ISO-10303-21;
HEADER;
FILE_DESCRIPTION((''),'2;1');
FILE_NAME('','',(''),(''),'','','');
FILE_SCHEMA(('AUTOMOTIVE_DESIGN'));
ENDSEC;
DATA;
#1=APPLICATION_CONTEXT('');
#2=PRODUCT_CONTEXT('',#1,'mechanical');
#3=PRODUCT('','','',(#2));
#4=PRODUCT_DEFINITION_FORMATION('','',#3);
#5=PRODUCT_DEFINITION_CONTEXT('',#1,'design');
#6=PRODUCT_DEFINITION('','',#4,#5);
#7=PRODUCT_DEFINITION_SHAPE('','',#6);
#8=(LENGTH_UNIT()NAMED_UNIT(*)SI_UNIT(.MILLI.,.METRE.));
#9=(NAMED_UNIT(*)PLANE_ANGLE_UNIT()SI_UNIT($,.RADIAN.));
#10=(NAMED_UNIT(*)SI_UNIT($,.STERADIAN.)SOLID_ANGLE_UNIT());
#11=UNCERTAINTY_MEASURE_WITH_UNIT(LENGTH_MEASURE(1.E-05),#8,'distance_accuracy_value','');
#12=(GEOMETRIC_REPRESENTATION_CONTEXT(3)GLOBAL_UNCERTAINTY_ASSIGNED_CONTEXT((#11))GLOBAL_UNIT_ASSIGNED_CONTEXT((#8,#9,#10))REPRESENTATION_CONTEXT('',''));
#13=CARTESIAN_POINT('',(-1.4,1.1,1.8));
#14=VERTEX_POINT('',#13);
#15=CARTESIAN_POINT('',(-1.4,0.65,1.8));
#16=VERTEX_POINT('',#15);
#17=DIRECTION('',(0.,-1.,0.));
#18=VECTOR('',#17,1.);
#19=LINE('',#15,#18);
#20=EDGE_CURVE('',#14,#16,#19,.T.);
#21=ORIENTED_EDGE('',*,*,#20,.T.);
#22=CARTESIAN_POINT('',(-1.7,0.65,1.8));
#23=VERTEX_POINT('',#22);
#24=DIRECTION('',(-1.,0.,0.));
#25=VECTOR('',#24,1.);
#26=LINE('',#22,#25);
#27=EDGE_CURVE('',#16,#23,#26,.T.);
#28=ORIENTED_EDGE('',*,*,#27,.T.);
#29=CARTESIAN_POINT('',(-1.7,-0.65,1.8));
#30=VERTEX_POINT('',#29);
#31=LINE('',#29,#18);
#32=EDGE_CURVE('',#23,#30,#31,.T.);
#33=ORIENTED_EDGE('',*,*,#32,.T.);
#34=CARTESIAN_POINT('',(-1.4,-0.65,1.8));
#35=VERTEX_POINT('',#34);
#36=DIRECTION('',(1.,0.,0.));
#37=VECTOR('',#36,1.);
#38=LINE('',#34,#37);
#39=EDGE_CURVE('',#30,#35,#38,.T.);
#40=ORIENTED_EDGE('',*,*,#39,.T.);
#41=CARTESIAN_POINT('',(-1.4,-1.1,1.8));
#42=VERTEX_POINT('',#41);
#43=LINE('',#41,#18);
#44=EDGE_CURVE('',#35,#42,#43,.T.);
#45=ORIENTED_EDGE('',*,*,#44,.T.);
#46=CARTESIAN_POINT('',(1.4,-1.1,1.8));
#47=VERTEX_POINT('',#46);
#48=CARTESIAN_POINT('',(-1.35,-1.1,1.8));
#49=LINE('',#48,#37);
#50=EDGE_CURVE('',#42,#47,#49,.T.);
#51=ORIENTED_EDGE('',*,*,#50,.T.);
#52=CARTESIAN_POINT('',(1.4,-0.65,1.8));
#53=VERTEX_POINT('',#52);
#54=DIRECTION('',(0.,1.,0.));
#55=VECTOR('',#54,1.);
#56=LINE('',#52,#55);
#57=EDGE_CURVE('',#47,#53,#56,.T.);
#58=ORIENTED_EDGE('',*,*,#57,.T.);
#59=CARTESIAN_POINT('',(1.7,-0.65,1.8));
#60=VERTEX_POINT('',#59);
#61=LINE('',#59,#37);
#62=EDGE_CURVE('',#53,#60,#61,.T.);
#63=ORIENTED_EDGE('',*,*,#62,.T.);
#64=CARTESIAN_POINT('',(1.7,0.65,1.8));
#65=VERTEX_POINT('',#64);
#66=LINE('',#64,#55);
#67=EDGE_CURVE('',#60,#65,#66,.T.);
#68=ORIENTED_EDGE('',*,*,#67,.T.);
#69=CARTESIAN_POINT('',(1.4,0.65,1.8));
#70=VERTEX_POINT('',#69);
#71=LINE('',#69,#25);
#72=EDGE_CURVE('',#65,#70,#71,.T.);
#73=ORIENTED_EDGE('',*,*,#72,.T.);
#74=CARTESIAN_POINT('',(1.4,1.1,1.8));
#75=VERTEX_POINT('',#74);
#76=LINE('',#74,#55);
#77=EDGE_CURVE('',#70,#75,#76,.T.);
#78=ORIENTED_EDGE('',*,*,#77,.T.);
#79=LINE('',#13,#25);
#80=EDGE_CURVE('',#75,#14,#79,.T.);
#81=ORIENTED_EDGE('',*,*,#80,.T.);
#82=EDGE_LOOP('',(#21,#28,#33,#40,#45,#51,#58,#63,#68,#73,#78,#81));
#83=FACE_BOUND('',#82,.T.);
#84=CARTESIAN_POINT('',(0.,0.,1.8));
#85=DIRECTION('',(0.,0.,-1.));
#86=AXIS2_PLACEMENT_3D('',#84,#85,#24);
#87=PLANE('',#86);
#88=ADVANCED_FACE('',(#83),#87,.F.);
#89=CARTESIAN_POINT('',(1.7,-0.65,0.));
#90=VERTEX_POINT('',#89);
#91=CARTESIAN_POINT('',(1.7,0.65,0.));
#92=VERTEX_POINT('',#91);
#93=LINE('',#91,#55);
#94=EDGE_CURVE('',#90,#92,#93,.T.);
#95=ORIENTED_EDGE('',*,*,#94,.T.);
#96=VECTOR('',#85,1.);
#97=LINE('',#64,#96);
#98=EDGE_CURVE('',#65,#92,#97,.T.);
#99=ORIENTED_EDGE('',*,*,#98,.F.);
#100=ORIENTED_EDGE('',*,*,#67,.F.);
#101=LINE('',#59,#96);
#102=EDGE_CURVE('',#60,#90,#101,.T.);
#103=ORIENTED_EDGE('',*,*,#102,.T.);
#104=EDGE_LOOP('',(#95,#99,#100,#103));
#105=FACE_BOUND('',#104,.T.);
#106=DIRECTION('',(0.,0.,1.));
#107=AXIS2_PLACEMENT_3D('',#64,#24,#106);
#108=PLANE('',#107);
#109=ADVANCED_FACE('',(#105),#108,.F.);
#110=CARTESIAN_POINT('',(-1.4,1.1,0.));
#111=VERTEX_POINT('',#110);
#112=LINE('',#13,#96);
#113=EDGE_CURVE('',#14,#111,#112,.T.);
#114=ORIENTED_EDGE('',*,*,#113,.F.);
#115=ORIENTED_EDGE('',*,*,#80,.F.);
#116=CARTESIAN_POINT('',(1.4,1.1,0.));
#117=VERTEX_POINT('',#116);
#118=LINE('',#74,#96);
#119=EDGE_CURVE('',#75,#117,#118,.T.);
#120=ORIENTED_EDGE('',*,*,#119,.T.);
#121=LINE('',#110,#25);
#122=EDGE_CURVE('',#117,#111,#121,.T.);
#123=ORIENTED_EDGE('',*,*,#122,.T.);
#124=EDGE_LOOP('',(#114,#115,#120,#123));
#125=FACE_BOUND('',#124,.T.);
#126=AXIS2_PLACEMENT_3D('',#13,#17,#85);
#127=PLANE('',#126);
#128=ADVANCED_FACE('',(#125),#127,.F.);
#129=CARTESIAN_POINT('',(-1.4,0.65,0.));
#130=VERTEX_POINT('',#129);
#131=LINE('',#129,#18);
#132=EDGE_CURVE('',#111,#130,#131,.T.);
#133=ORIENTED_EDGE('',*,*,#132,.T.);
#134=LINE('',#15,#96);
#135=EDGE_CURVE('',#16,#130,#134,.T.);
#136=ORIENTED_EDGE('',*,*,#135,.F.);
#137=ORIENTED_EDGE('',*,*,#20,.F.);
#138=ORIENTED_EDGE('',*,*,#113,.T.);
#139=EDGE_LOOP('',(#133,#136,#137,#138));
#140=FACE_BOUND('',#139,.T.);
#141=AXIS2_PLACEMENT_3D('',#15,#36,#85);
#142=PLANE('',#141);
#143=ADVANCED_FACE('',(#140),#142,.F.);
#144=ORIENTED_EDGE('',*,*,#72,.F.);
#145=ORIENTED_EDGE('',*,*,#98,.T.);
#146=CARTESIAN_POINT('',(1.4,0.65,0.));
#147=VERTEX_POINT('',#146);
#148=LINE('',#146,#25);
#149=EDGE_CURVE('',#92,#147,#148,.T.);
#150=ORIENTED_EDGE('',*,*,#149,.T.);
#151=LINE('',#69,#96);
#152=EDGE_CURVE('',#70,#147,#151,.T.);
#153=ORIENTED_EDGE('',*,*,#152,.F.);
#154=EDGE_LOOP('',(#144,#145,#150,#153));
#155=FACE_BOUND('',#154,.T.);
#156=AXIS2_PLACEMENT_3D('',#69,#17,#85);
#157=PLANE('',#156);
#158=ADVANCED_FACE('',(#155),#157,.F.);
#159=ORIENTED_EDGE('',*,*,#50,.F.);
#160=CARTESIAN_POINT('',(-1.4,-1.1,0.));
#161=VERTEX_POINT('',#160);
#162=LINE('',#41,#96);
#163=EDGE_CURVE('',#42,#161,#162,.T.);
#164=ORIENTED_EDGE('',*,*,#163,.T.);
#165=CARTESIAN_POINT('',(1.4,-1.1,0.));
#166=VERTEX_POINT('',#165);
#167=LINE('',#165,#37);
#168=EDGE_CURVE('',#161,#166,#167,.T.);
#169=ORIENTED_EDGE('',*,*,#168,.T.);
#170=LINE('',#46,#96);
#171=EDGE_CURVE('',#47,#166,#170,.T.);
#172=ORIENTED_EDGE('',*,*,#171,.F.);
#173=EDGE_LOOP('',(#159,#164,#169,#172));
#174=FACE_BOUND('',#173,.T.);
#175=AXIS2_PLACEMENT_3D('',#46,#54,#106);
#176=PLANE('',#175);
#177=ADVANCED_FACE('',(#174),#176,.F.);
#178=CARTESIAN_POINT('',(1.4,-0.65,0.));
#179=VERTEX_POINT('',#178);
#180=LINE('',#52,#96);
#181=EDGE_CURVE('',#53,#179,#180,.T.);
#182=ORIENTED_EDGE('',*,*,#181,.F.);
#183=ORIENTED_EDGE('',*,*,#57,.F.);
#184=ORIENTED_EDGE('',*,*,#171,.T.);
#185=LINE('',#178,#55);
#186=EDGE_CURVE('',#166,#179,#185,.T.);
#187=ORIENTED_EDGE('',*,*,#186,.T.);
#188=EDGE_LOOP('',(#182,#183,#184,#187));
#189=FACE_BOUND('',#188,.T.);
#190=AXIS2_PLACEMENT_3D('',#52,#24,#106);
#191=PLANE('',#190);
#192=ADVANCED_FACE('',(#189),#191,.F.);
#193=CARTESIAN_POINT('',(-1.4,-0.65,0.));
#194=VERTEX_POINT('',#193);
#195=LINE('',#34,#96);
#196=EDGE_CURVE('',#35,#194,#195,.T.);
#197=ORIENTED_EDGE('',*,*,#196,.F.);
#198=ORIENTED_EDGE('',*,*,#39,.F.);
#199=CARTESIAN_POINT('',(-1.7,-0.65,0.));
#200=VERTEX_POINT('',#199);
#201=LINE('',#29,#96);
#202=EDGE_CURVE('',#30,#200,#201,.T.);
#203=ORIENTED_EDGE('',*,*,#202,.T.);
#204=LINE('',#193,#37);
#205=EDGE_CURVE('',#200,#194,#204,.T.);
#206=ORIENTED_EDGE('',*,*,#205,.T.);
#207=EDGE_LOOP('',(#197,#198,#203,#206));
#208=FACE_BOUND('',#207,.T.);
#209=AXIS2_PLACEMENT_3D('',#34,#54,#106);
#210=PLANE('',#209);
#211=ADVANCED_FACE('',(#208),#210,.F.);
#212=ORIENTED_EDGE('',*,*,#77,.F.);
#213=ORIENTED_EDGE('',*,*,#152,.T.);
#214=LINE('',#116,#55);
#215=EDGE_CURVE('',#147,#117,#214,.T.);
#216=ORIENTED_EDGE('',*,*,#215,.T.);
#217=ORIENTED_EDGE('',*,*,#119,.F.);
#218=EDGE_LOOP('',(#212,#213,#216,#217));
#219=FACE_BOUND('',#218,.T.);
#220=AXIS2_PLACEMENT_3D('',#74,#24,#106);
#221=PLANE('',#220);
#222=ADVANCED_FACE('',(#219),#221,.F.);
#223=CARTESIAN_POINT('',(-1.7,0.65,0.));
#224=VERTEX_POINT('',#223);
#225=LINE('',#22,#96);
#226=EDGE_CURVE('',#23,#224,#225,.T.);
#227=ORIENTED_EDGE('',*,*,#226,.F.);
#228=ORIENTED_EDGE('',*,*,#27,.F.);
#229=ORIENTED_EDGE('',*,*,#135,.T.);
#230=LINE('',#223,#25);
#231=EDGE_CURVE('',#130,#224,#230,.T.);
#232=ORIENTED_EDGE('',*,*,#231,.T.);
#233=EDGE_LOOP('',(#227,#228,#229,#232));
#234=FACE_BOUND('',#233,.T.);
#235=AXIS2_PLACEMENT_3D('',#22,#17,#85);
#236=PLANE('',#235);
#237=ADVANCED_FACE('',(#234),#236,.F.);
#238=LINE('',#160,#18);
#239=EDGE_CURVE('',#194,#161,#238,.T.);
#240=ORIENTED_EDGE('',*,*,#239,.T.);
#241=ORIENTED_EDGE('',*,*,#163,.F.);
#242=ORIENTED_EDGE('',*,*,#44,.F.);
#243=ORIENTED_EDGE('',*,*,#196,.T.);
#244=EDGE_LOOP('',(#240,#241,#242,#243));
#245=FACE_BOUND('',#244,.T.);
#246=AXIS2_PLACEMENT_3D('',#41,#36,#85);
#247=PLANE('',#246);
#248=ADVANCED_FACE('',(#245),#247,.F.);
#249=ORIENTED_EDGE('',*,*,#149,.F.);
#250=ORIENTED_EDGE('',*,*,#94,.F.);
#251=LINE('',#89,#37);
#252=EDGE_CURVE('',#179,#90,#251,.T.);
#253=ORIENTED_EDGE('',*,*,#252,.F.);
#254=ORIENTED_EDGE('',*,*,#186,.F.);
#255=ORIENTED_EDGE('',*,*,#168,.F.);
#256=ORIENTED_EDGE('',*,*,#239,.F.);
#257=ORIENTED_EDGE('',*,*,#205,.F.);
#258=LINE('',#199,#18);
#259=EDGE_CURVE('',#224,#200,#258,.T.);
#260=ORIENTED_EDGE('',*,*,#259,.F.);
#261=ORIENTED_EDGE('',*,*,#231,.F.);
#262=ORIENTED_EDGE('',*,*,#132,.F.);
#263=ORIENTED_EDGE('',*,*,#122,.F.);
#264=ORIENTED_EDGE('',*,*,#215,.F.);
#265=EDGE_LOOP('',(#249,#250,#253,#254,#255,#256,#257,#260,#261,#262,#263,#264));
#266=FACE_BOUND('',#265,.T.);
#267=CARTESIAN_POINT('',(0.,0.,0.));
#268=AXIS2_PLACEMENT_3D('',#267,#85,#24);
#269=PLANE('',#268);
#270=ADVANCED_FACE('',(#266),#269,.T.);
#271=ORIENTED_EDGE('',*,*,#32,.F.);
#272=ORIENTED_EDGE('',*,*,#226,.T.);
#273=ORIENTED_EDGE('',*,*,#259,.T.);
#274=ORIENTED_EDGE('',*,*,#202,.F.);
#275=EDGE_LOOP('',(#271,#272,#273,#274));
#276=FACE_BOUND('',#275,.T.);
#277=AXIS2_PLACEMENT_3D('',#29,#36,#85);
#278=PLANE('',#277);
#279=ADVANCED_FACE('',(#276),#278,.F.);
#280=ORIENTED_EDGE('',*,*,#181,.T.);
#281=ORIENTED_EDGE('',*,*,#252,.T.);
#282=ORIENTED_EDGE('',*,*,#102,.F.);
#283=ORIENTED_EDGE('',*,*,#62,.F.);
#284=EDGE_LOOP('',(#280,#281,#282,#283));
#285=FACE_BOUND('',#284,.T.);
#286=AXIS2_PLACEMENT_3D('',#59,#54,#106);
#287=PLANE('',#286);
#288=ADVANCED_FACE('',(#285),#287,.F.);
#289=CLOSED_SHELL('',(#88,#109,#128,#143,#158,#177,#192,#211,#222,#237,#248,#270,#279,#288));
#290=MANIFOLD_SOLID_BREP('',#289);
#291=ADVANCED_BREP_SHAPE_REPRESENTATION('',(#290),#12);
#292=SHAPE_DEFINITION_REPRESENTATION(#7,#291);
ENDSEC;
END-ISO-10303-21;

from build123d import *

# Parameters (mm, degrees)
COMPONENT_OUTLINE_DEPTH = 1.8


with BuildPart() as part:
    # 草图1 → Component_Outline (new body)
    with BuildSketch(Plane.XY):
        Polygon((-1.4, -1.1), (-1.4, -0.65), (-1.7, -0.65), (-1.7, 0.65), (-1.4, 0.65), (-1.4, 1.1), (1.4, 1.1), (1.4, 0.65), (1.7, 0.65), (1.7, -0.65), (1.4, -0.65), (1.4, -1.1), (-1.35, -1.1), align=None)
    extrude(amount=COMPONENT_OUTLINE_DEPTH)


solid = part.part
